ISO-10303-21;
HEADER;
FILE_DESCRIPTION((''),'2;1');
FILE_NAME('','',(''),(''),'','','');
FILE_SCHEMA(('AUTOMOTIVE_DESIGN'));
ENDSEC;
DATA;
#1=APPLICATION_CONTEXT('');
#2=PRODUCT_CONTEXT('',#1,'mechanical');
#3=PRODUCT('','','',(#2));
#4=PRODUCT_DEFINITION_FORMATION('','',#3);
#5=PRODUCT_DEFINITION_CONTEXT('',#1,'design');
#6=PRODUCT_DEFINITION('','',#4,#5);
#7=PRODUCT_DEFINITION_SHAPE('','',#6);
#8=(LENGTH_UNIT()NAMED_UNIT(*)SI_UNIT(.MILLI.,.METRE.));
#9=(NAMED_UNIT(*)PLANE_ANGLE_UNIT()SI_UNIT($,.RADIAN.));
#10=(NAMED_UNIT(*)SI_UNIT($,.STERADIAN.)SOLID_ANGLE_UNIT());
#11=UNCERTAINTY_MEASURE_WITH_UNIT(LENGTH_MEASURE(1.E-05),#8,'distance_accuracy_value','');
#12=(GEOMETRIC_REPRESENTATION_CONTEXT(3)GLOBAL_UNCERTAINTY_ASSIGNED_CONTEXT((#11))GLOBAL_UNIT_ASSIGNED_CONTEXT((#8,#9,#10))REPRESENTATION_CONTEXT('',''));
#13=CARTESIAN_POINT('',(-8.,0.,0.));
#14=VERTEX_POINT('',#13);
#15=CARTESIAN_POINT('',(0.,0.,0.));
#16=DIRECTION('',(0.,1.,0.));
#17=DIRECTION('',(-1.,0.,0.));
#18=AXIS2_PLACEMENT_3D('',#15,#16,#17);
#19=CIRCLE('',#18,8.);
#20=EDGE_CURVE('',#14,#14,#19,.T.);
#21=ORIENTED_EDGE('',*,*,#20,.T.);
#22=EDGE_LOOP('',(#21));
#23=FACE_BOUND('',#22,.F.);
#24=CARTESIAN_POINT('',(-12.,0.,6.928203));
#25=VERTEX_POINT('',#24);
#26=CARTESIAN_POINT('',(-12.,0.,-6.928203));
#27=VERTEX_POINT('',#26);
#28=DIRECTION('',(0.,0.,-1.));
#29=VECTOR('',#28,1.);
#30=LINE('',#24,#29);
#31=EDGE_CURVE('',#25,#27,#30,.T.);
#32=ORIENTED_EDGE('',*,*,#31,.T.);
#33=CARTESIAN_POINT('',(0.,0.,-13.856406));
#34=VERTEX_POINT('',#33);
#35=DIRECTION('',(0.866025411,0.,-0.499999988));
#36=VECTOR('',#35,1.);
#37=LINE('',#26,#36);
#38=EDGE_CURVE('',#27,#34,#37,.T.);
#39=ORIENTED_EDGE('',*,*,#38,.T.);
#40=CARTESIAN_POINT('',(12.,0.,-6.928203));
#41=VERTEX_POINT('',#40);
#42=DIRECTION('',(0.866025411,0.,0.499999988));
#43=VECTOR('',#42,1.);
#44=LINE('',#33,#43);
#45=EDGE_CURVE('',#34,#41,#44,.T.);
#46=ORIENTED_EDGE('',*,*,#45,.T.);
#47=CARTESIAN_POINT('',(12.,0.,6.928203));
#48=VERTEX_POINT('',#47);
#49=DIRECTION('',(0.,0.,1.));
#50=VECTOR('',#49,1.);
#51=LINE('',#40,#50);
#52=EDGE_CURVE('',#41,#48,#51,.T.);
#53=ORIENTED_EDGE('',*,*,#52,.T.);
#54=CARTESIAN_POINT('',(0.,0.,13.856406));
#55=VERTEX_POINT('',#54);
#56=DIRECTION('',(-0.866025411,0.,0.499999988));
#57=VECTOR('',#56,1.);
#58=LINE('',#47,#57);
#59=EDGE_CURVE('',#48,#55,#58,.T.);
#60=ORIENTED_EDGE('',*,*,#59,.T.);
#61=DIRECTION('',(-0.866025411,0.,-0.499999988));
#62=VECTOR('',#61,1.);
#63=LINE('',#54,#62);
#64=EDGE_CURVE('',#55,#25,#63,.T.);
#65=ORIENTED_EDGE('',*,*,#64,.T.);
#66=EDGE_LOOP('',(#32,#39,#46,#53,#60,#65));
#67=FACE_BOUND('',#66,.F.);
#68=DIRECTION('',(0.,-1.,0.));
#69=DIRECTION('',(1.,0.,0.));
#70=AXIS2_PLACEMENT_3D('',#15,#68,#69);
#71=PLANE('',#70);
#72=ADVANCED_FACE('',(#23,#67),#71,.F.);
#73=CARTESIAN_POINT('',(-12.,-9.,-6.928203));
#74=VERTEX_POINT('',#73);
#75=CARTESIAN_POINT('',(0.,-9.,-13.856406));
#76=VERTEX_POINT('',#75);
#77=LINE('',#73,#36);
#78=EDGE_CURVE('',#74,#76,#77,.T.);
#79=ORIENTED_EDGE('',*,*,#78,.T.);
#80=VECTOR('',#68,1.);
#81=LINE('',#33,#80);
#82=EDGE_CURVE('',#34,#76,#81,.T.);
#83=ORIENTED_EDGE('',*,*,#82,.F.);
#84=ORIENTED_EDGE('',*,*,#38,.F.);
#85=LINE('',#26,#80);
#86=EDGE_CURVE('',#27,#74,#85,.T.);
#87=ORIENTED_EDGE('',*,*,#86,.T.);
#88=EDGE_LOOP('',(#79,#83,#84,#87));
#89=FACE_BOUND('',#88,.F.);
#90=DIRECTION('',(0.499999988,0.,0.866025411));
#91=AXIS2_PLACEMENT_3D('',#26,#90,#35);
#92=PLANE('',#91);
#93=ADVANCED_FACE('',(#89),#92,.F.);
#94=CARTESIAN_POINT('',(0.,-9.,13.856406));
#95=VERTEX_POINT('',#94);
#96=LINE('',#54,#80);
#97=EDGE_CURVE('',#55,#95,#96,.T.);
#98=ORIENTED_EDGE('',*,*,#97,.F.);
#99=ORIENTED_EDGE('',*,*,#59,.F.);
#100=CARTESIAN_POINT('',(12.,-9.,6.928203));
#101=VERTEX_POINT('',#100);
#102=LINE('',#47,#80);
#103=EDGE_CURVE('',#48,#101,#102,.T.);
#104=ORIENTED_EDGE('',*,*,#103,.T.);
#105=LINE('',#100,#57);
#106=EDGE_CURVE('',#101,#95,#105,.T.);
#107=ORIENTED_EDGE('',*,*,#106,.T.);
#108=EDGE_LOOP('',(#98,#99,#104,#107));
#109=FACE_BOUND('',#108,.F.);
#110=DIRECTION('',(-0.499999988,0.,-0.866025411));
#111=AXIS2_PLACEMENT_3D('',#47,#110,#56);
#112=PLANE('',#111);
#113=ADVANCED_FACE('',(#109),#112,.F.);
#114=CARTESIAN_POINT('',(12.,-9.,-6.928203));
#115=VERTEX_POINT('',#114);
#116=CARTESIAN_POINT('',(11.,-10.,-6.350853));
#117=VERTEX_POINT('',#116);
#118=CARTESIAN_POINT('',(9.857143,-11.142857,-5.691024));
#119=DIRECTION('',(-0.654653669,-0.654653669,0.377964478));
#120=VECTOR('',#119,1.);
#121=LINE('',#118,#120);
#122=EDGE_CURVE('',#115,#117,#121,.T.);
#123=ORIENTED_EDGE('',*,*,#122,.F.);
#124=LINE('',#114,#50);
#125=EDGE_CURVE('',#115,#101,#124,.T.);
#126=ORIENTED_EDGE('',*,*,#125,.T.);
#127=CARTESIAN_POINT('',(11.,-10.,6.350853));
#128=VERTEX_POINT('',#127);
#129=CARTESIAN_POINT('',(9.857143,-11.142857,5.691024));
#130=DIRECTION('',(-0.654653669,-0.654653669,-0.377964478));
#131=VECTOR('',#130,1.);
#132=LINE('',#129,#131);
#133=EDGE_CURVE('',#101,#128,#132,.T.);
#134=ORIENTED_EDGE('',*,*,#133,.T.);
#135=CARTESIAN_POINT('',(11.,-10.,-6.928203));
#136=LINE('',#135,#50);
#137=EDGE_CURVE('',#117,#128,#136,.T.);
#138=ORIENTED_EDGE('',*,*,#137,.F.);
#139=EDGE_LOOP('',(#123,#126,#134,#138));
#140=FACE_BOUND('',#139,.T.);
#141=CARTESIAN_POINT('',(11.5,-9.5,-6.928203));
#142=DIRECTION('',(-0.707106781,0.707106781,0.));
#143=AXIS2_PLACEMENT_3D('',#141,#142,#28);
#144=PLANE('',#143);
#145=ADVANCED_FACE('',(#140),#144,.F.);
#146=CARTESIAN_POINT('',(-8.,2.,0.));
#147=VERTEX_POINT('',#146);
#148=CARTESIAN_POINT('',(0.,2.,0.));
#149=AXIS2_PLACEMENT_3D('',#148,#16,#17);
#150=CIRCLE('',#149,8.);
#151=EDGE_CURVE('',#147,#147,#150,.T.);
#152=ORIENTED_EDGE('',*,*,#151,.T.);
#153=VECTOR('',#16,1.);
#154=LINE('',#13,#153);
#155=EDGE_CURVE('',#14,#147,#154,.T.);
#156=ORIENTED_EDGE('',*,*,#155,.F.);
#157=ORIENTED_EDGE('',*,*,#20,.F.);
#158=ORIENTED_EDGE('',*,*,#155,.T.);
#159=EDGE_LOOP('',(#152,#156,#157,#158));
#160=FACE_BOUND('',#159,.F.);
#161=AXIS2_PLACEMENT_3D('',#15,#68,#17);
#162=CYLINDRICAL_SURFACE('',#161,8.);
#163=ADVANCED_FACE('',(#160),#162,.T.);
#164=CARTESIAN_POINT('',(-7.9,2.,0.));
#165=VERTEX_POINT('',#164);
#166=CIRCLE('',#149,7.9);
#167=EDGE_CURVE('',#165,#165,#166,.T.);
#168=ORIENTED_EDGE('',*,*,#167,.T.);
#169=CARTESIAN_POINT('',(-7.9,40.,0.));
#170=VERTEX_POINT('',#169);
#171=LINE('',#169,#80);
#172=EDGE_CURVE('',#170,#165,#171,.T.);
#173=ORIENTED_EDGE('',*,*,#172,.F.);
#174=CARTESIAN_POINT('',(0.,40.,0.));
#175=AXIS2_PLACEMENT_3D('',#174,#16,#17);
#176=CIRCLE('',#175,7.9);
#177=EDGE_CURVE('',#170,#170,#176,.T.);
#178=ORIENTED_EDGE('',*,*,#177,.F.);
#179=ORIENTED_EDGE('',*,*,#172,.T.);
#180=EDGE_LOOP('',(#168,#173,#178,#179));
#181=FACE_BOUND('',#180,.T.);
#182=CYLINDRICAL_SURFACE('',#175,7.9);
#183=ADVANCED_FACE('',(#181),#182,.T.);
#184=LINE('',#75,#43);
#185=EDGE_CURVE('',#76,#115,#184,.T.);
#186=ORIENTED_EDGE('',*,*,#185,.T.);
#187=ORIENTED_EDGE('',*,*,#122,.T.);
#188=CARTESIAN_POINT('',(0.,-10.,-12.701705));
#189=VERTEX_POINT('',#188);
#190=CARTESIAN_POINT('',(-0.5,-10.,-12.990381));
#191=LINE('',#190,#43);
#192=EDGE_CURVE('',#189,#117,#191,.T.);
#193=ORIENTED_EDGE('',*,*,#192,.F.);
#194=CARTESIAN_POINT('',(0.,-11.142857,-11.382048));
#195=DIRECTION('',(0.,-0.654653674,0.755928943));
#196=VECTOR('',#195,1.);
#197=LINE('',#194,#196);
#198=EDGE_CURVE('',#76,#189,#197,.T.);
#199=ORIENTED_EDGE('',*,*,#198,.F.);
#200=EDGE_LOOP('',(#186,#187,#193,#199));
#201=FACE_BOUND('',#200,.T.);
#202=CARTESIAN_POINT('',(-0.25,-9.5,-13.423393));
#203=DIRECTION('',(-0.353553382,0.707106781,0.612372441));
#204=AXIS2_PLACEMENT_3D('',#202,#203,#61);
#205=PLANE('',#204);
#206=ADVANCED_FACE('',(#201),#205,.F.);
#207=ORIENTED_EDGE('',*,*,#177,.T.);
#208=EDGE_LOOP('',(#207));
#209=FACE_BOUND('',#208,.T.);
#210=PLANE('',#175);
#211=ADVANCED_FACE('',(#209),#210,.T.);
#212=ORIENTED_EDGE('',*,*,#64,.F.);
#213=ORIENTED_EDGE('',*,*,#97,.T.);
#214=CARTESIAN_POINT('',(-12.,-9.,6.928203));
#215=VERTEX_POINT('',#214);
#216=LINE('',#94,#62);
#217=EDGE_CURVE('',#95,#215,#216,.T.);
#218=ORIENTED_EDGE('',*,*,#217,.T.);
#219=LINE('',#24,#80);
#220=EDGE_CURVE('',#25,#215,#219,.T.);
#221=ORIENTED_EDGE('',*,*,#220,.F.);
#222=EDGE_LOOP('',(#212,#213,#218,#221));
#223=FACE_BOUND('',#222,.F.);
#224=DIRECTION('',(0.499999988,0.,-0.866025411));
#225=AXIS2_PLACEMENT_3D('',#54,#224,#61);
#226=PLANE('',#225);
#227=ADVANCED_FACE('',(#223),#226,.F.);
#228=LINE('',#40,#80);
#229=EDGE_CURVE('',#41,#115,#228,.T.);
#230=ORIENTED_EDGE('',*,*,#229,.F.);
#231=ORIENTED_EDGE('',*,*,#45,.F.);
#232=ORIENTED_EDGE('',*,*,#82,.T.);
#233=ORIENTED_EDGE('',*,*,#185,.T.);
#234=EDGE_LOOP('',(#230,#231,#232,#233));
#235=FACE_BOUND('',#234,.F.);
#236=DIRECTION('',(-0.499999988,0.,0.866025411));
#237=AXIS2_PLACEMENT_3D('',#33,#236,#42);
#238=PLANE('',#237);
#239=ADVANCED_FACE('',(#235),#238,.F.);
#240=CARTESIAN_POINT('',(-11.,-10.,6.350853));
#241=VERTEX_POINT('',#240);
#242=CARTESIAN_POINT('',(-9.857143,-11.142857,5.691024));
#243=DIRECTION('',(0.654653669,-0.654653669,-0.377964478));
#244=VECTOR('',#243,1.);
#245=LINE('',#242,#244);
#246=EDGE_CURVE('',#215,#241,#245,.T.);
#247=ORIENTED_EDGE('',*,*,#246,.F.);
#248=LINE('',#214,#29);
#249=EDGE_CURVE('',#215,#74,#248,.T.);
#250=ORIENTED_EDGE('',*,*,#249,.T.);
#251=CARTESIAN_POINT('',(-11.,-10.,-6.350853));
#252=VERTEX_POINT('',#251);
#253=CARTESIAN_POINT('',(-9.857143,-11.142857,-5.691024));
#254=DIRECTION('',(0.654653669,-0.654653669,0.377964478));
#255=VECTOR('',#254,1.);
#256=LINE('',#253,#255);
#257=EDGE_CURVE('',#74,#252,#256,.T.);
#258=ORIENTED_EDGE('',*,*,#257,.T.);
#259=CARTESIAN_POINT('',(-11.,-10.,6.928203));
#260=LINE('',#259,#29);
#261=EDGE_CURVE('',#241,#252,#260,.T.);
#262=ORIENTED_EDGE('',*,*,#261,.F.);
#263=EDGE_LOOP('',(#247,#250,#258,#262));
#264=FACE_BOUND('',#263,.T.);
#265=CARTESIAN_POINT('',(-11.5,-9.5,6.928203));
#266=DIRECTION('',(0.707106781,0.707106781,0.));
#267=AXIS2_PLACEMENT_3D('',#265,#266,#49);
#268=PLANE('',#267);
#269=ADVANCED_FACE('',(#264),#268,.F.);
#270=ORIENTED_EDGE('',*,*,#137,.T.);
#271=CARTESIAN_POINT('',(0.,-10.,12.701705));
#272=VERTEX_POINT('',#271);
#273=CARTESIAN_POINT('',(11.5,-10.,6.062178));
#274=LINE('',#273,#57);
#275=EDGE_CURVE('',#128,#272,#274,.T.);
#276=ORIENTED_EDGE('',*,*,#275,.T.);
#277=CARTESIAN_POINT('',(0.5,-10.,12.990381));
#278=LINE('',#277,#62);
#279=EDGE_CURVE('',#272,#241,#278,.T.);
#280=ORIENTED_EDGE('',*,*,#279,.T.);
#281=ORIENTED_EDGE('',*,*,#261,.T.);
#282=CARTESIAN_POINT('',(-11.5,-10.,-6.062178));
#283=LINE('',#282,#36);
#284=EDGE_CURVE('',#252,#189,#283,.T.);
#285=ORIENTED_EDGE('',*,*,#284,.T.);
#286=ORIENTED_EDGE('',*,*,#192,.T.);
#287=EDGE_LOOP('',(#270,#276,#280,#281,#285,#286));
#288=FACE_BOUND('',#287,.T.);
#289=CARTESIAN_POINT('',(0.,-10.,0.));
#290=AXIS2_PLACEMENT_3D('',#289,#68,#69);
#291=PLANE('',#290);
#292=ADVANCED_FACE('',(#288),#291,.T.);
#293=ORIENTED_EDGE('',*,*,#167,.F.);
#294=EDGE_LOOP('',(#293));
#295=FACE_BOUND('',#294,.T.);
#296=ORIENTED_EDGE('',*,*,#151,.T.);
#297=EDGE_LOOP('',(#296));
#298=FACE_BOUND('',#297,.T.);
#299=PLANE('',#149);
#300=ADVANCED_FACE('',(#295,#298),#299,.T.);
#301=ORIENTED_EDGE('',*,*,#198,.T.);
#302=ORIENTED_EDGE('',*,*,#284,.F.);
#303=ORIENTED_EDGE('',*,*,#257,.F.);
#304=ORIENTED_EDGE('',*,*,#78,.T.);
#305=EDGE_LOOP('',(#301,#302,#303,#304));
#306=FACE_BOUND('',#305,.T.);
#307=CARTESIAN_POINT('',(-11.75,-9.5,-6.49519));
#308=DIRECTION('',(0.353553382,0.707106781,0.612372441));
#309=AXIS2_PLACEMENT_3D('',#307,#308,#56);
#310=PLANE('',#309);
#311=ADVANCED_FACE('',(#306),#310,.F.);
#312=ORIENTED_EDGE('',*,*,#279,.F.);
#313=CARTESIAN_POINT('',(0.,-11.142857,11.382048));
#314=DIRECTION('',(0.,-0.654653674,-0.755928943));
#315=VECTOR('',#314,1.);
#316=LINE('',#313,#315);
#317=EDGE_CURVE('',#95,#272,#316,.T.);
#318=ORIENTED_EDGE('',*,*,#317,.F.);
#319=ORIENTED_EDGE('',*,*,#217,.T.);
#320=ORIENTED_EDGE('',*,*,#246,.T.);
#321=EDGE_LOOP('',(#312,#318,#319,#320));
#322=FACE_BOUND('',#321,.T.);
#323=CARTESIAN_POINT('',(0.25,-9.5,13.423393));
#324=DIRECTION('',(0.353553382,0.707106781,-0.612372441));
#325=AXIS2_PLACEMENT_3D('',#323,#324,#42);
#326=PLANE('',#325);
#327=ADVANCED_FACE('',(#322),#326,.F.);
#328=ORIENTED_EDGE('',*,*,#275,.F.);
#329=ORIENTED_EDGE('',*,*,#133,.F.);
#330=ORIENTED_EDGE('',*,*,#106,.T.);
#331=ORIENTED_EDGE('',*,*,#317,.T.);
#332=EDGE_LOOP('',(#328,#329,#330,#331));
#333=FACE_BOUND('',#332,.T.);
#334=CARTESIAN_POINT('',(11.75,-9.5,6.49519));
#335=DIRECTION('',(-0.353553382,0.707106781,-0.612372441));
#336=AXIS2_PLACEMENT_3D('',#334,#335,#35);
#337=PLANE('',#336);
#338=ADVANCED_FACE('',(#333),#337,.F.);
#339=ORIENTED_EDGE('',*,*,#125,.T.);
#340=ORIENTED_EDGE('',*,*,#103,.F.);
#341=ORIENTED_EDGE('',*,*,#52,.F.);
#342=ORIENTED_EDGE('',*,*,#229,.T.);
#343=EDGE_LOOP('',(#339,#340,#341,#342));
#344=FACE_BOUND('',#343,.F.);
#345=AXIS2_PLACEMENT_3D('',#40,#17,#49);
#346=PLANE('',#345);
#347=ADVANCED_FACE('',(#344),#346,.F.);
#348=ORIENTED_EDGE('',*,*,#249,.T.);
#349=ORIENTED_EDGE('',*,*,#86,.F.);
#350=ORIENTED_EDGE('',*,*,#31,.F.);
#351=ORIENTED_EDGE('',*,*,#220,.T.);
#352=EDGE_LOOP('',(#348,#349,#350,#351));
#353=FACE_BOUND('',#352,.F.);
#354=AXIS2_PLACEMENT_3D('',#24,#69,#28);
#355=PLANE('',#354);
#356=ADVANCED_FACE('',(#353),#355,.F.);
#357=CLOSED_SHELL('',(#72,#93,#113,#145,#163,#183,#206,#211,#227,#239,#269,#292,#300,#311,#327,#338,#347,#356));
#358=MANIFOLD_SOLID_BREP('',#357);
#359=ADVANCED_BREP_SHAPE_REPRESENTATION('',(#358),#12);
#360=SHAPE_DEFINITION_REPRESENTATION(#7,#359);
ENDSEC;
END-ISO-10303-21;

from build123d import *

# Parameters (mm, degrees)
F1_DEPTH = 10
F2_SIZE2 = 1
F2_SIZE  = 1
F3_R     = 8
F4_DEPTH = 40
F5_R     = 8
F5_R_2   = 7.9
F6_DEPTH = 38


with BuildPart() as f1:
    # F0 (on Front) → F1 (new body)
    with BuildSketch(Plane.XZ):
        Polygon((0, -13.856406), (12, -6.928203), (12, 6.928203), (0, 13.856406), (-12, 6.928203), (-12, -6.928203), align=None)
    extrude(amount=F1_DEPTH)

    # F2
    f2_edges = [f1.edges().sort_by_distance(p)[0] for p in [
        (6, -10, 10.392305),
        (-6, -10, 10.392305),
        (12, -10, 0),
        (6, -10, -10.392305),
        (-6, -10, -10.392305),
        (-12, -10, 0),
    ]]
    chamfer(f2_edges, length=F2_SIZE, length2=F2_SIZE2)

    # F3 (on face) → F4 (join)
    with BuildSketch(Plane(origin=(0, 0, 0), x_dir=(-1, 0, 0), z_dir=(0, 1, 0))):
        Circle(F3_R)
    extrude(amount=F4_DEPTH)

    # F5 (on face) → F6 (cut)
    with BuildSketch(Plane(origin=(0, 40, 0), x_dir=(-1, 0, 0), z_dir=(0, 1, 0))):
        Circle(F5_R)
        Circle(F5_R_2, mode=Mode.SUBTRACT)
    extrude(amount=-F6_DEPTH, mode=Mode.SUBTRACT)


solid = f1.part
